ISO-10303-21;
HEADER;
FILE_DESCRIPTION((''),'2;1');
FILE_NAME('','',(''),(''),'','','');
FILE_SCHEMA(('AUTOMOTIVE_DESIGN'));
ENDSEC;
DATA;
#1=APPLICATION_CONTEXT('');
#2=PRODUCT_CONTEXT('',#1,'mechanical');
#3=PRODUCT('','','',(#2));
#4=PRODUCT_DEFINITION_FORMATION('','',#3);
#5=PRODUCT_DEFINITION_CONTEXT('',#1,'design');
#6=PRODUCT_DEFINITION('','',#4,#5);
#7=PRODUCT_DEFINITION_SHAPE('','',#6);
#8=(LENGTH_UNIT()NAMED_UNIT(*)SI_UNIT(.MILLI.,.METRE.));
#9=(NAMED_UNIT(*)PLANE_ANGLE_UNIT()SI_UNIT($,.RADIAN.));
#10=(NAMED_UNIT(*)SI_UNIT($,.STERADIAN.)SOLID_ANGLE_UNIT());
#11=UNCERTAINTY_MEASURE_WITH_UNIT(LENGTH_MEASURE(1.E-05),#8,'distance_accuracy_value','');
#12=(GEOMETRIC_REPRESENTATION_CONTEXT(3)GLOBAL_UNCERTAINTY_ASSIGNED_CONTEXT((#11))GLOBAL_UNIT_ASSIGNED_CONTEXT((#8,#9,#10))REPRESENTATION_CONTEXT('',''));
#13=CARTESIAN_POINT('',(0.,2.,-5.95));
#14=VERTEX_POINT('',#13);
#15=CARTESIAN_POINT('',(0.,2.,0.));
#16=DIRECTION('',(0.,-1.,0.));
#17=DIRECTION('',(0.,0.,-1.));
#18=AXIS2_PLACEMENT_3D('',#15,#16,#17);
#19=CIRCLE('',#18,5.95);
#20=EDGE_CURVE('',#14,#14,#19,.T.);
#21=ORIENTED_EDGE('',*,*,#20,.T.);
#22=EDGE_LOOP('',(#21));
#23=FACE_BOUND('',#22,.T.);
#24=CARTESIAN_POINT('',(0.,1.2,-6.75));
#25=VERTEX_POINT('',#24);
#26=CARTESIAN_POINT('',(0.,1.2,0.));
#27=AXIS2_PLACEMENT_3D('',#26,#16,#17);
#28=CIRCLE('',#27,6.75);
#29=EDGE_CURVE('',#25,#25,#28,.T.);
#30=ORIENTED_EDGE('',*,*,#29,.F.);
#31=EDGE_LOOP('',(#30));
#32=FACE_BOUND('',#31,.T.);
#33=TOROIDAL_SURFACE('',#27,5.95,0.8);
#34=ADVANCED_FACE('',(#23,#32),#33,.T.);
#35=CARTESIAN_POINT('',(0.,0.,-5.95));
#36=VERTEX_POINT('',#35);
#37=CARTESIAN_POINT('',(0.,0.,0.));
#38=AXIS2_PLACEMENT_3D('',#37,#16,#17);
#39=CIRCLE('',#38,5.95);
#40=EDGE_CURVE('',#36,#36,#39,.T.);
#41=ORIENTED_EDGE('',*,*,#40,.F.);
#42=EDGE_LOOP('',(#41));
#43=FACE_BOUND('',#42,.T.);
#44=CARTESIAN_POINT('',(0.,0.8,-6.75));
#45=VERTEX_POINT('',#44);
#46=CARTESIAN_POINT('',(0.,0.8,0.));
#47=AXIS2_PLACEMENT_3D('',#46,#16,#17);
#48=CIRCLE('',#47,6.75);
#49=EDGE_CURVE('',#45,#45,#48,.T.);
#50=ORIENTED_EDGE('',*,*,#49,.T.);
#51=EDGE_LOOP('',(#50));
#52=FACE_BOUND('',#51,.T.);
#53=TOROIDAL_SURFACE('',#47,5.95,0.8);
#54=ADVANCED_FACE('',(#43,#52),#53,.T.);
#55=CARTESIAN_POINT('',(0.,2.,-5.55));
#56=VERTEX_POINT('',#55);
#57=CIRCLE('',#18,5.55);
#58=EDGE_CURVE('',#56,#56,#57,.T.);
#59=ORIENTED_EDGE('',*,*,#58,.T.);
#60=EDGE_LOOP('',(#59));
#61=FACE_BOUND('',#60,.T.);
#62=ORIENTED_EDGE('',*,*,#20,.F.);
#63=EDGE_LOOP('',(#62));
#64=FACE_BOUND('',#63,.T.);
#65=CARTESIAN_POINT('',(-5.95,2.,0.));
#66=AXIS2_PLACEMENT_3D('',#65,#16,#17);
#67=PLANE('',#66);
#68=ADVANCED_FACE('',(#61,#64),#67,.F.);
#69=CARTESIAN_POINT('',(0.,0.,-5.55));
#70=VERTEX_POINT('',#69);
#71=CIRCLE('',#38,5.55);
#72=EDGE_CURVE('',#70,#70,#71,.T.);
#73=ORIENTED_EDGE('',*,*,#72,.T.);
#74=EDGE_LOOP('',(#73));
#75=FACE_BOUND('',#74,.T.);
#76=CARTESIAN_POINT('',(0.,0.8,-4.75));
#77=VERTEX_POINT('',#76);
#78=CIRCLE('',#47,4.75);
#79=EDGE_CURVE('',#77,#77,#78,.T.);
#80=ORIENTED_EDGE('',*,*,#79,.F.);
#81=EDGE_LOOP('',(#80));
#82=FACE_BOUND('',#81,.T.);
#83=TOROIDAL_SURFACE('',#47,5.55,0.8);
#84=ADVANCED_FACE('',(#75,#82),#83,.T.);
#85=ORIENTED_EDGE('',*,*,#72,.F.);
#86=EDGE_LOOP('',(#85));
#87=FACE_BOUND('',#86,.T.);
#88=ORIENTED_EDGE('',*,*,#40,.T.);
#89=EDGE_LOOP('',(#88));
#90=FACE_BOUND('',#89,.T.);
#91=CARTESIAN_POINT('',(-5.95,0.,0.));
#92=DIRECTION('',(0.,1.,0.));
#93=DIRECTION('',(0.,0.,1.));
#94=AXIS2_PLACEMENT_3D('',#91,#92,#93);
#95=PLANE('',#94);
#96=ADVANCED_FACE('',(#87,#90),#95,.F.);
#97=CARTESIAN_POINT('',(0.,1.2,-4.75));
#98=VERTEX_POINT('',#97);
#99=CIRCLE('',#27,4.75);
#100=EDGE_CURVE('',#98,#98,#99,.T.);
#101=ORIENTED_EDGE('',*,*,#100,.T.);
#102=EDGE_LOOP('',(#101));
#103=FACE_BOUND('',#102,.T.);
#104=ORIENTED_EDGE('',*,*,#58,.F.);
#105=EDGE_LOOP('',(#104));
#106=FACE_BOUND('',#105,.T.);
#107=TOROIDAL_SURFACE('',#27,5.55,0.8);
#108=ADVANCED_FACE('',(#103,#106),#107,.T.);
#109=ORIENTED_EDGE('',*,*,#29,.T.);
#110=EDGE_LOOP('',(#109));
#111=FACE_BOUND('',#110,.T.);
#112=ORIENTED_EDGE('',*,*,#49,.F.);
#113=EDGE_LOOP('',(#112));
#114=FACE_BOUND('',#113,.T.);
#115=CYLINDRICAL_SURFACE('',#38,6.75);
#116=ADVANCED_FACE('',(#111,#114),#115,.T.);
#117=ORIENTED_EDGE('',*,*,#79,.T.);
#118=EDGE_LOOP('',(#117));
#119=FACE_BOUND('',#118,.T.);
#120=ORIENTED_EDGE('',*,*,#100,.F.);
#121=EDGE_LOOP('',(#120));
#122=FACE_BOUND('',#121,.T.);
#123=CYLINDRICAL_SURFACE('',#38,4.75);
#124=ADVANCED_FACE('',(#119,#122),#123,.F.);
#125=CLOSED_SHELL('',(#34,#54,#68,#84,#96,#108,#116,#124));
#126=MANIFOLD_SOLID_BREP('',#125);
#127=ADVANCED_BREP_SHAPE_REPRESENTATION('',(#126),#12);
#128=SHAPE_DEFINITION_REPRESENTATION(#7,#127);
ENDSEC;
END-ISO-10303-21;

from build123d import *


with BuildPart() as part:
    # Esquisse1 → Révolution1 (revolve)
    with BuildSketch(Plane.XY, mode=Mode.PRIVATE) as r_volution1_sk:
        with BuildLine():
            Line((-5.95, 2), (-5.55, 2))
            ThreePointArc((-5.55, 2), (-4.984314575, 1.765685425), (-4.75, 1.2))
            Line((-4.75, 1.2), (-4.75, 0.8))
            ThreePointArc((-4.75, 0.8), (-4.984314575, 0.234314575), (-5.55, 0))
            Line((-5.55, 0), (-5.95, 0))
            ThreePointArc((-5.95, 0), (-6.515685425, 0.234314575), (-6.75, 0.8))
            Line((-6.75, 0.8), (-6.75, 1.2))
            ThreePointArc((-6.75, 1.2), (-6.515685425, 1.765685425), (-5.95, 2))
        make_face()
    revolve(r_volution1_sk.sketch.rotate(Axis((0, 0, 0), (0, 1, 0)), 270), axis=Axis((0, 0, 0), (0, 1, 0)))


solid = part.part
